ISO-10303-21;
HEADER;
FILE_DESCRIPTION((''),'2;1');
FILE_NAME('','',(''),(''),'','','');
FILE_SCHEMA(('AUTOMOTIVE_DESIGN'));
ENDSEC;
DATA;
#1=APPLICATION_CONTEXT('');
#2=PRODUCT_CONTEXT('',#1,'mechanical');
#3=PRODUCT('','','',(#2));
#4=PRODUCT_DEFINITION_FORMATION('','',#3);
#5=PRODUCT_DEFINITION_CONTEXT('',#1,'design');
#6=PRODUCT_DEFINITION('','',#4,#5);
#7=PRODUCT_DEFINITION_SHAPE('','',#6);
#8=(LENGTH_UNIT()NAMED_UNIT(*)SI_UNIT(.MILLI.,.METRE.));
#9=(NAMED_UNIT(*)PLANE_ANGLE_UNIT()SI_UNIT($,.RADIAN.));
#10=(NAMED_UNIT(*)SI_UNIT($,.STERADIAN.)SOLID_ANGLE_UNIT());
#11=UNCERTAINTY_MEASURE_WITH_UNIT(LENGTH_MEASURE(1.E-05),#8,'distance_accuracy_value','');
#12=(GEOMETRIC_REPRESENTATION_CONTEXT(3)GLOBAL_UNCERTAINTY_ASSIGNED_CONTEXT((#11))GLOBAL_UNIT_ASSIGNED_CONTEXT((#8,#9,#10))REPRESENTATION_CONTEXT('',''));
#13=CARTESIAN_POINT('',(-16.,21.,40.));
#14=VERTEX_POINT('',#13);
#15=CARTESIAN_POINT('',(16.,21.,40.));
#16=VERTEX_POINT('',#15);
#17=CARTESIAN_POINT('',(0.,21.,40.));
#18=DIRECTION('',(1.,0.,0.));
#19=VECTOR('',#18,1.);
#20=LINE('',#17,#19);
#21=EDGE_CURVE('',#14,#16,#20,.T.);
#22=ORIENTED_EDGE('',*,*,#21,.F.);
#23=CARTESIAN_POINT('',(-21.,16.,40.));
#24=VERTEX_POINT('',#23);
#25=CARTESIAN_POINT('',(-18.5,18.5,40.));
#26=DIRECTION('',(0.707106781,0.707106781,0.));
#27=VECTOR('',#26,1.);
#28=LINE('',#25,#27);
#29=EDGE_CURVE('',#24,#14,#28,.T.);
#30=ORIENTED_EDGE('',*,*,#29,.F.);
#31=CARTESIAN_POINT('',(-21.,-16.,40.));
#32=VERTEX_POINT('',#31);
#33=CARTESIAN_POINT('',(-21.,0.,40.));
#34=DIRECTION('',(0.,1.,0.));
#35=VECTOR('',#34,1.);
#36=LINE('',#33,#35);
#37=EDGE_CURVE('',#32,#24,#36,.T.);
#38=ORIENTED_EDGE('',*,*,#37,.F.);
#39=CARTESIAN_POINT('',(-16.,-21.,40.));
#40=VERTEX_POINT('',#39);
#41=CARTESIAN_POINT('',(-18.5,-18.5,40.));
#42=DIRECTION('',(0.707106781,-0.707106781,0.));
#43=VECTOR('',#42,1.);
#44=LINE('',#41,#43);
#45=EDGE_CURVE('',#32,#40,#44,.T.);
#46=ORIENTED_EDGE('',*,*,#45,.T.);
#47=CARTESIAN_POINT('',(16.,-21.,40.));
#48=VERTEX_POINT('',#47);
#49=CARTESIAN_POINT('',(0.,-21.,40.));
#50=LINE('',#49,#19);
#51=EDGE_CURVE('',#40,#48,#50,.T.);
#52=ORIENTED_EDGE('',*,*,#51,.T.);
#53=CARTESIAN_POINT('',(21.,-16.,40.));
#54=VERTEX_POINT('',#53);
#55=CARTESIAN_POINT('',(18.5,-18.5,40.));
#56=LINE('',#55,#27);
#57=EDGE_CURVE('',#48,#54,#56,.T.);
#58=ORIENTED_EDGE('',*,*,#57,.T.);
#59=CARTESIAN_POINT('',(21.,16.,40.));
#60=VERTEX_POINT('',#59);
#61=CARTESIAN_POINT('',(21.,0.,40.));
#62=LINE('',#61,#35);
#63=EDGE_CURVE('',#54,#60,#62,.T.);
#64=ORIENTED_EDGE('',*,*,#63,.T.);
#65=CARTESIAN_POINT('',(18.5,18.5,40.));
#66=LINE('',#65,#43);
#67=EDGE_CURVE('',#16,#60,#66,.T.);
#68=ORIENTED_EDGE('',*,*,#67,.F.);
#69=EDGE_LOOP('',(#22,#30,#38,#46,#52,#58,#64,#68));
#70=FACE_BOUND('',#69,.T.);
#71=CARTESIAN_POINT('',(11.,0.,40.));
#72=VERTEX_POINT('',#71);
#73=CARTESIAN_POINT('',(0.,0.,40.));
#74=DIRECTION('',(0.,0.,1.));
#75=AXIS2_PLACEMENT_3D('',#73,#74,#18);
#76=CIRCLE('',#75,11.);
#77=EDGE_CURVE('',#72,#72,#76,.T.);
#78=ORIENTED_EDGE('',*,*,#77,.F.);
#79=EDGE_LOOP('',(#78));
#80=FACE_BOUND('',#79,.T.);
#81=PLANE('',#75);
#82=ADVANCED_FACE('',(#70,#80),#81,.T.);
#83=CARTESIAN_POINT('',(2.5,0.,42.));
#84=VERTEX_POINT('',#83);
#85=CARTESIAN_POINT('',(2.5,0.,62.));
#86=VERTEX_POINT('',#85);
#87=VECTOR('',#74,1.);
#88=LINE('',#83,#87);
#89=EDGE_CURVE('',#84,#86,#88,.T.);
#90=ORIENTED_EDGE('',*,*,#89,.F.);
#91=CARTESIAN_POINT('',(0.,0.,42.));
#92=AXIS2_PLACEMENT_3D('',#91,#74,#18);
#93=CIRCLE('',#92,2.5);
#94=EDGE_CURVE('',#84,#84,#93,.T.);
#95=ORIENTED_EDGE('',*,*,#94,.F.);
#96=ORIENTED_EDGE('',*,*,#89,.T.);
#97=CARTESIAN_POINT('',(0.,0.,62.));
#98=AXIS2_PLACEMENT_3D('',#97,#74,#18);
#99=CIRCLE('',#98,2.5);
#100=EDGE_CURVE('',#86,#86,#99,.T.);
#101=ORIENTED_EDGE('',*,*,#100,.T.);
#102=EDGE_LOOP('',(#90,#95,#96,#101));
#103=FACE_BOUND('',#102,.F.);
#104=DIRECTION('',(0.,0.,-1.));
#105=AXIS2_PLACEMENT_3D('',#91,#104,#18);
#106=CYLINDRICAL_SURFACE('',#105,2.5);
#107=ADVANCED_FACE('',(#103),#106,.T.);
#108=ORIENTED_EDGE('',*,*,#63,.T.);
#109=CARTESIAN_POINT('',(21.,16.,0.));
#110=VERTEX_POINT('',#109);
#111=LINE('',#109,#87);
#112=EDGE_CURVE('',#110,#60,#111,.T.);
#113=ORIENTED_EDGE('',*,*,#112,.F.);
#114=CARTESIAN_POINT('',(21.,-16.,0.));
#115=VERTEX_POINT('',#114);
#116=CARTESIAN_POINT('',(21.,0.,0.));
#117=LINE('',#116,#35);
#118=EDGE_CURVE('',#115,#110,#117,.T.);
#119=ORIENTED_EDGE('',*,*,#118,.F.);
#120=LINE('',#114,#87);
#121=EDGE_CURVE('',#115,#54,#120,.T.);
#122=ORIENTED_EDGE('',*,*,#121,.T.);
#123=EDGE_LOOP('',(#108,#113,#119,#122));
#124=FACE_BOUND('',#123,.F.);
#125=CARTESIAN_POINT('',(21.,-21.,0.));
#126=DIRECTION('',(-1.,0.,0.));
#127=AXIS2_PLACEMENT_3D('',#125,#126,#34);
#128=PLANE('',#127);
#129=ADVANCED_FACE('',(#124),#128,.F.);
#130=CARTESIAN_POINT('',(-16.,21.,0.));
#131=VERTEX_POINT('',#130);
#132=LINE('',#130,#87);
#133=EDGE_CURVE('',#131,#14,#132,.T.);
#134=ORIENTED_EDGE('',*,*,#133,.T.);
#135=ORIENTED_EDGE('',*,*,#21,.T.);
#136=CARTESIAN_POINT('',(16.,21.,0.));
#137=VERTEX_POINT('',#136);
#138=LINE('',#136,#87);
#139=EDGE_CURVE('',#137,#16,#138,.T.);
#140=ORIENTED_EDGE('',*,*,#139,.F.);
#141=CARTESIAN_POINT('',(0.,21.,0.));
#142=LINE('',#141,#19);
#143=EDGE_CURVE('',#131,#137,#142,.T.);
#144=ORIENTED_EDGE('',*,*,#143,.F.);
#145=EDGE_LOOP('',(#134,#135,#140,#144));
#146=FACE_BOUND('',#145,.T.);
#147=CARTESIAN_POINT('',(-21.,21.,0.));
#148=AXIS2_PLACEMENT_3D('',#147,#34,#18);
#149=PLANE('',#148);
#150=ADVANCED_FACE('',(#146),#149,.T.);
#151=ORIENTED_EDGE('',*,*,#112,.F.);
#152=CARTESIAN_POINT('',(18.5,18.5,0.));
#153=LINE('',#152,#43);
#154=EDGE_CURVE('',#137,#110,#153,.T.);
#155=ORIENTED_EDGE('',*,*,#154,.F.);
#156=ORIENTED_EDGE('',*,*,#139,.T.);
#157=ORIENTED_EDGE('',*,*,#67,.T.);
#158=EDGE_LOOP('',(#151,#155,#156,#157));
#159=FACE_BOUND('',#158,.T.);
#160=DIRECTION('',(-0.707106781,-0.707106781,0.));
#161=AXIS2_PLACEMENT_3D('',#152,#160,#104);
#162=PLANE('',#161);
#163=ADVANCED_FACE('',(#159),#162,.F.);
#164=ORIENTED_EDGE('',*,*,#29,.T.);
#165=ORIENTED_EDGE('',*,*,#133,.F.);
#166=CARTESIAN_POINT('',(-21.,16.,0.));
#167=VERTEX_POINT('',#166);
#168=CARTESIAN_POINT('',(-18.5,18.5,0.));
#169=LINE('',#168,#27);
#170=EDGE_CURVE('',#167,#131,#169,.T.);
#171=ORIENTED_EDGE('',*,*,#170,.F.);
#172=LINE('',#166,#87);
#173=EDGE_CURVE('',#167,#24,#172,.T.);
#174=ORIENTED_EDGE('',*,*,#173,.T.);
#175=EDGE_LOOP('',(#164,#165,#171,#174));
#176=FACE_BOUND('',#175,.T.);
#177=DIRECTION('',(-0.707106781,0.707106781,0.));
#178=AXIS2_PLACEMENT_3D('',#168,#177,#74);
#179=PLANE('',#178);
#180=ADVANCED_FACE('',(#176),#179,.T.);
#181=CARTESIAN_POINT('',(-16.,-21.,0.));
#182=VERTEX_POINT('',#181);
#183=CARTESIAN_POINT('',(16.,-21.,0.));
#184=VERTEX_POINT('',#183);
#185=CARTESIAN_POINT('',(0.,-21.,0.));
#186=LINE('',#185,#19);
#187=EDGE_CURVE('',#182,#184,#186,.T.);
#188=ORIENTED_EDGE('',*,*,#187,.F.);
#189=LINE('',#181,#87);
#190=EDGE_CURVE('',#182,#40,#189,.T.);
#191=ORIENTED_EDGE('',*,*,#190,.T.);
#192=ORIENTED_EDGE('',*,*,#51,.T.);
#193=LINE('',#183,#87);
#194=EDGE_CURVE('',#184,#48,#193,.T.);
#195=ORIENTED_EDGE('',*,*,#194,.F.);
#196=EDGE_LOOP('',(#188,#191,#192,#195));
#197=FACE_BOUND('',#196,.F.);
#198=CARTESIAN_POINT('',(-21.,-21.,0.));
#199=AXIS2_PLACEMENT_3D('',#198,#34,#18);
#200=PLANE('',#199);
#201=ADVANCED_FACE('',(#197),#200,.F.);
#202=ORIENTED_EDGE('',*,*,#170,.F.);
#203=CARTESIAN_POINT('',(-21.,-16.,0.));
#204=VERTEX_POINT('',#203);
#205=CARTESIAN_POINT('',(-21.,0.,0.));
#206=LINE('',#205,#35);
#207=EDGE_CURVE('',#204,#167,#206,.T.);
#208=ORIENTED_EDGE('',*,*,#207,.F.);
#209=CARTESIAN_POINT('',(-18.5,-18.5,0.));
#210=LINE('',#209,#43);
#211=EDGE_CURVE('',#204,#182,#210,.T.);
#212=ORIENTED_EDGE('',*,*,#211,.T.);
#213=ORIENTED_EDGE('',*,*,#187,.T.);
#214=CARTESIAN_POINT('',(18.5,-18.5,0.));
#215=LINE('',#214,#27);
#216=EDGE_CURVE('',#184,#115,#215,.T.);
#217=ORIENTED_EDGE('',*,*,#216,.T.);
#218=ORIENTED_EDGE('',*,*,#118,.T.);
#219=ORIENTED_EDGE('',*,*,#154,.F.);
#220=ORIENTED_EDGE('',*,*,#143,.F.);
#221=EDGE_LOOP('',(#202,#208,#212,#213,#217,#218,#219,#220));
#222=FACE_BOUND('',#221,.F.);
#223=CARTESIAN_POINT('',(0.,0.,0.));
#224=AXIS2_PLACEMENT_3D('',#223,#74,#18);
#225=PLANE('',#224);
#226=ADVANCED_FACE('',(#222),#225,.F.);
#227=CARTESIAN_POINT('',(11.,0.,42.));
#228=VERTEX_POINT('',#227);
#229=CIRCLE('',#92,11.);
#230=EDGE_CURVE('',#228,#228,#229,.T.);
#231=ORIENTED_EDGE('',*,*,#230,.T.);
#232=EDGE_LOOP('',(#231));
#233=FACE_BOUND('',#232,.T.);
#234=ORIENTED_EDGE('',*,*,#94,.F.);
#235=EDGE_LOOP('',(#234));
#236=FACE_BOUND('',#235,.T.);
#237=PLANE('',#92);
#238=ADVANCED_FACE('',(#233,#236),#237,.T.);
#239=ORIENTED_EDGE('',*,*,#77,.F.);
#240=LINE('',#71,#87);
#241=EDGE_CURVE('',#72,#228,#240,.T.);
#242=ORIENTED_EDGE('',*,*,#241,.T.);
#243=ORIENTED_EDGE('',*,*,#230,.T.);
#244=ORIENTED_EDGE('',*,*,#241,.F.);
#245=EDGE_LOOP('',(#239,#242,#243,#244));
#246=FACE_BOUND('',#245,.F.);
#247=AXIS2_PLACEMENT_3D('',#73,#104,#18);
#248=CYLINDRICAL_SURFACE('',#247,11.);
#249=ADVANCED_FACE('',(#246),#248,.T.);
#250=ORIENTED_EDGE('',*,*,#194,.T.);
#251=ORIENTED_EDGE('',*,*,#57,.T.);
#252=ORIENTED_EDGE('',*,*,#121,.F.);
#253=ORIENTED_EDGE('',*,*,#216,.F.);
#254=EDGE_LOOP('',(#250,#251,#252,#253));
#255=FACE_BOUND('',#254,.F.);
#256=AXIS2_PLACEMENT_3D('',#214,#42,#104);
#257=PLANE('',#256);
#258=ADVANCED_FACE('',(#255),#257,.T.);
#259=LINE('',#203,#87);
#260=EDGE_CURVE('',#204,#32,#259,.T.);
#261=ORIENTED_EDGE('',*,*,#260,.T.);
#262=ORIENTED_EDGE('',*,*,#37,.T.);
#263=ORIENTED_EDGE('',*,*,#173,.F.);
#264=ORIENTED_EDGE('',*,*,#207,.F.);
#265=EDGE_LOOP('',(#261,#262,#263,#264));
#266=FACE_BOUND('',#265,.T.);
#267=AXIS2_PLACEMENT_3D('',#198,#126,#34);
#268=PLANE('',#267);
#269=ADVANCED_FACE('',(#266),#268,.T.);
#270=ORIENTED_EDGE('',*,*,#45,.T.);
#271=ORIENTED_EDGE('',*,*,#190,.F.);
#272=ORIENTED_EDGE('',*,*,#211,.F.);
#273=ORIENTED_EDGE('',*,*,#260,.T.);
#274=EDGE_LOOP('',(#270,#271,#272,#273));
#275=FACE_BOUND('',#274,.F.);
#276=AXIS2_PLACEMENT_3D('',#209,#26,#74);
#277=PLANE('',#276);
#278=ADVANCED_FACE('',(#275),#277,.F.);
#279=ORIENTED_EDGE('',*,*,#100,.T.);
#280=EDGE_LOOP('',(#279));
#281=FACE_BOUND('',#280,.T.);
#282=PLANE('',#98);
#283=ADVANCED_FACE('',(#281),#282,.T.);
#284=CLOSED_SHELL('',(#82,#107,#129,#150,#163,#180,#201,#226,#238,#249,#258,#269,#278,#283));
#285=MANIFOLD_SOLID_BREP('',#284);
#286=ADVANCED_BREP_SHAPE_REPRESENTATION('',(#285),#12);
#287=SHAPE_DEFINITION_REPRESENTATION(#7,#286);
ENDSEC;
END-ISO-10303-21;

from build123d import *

# Parameters (mm, degrees)
F0_W     = 42
F0_H     = 42
F1_DEPTH = 40
F2_R     = 11
F3_DEPTH = 2
F4_R     = 2.5
F5_DEPTH = 20
F6_SIZE  = 5


with BuildPart() as f1:
    # F0 (on Top) → F1 (new body)
    with BuildSketch(Plane.XY):
        Rectangle(F0_W, F0_H)
    extrude(amount=F1_DEPTH)

    # F2 (on face) → F3 (join)
    with BuildSketch(Plane.XY.offset(40)):
        Circle(F2_R)
    extrude(amount=F3_DEPTH)

    # F4 (on face) → F5 (join)
    with BuildSketch(Plane.XY.offset(42)):
        Circle(F4_R)
    extrude(amount=F5_DEPTH)

    # F6
    f6_edges = [f1.edges().sort_by_distance(p)[0] for p in [
        (21, -21, 20),
        (-21, 21, 20),
        (-21, -21, 20),
        (21, 21, 20),
    ]]
    chamfer(f6_edges, length=F6_SIZE)


solid = f1.part
